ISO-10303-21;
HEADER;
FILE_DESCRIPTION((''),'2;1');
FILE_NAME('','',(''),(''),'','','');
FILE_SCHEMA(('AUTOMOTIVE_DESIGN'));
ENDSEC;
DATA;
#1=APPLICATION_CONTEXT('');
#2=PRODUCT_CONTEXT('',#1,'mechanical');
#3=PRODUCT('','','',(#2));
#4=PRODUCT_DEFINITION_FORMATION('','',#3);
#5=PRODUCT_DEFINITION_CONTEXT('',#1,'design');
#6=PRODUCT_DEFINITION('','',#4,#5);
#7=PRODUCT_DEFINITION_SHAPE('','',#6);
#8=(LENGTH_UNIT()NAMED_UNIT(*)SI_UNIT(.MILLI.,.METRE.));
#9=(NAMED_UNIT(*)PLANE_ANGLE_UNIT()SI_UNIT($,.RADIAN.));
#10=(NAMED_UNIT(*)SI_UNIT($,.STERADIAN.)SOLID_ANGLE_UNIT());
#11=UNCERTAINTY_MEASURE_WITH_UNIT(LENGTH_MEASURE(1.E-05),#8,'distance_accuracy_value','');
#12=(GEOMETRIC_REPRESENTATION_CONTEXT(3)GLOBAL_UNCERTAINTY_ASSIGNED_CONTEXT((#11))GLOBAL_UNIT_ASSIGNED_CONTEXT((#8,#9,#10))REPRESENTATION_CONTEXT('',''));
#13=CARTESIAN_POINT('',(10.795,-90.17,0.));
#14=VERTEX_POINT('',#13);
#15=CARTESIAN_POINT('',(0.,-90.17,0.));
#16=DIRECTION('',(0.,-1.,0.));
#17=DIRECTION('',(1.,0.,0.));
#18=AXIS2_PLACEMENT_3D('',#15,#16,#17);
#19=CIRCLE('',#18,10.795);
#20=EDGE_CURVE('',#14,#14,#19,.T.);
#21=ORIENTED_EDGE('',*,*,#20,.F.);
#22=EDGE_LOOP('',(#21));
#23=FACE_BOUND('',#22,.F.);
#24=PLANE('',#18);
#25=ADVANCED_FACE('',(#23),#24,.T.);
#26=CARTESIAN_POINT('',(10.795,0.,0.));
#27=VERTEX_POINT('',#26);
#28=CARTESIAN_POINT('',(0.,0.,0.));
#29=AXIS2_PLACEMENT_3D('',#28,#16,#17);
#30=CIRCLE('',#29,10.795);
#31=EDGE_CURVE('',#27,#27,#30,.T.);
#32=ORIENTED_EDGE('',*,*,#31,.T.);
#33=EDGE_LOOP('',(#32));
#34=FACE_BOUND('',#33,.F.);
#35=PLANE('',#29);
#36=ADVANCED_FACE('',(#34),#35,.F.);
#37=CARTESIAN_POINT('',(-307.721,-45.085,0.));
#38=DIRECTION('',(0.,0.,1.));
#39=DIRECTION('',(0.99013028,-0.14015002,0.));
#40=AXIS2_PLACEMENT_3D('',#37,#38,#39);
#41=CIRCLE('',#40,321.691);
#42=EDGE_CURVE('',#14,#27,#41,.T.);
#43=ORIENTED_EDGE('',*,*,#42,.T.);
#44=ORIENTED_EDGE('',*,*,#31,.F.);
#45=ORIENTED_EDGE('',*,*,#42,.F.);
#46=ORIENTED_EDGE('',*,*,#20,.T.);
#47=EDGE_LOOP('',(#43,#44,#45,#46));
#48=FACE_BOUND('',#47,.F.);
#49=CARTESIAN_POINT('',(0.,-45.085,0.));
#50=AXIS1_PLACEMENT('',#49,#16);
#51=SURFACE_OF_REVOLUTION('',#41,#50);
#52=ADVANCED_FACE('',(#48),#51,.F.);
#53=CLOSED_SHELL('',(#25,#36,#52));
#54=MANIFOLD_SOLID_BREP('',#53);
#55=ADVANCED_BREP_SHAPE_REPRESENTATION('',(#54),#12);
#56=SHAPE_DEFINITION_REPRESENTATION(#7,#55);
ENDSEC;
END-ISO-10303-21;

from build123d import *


with BuildPart() as f1:
    # F0 (on Top) → F1 (revolve)
    with BuildSketch(Plane.XY):
        with BuildLine():
            Line((10.795, 0), (0, 0))
            Line((0, 0), (0, -90.17))
            Line((0, -90.17), (10.795, -90.17))
            ThreePointArc((10.795, -90.17), (13.97, -45.085), (10.795, 0))
        make_face()
    revolve(axis=Axis((0, -45.085, 0), (0, -1, 0)))


solid = f1.part
